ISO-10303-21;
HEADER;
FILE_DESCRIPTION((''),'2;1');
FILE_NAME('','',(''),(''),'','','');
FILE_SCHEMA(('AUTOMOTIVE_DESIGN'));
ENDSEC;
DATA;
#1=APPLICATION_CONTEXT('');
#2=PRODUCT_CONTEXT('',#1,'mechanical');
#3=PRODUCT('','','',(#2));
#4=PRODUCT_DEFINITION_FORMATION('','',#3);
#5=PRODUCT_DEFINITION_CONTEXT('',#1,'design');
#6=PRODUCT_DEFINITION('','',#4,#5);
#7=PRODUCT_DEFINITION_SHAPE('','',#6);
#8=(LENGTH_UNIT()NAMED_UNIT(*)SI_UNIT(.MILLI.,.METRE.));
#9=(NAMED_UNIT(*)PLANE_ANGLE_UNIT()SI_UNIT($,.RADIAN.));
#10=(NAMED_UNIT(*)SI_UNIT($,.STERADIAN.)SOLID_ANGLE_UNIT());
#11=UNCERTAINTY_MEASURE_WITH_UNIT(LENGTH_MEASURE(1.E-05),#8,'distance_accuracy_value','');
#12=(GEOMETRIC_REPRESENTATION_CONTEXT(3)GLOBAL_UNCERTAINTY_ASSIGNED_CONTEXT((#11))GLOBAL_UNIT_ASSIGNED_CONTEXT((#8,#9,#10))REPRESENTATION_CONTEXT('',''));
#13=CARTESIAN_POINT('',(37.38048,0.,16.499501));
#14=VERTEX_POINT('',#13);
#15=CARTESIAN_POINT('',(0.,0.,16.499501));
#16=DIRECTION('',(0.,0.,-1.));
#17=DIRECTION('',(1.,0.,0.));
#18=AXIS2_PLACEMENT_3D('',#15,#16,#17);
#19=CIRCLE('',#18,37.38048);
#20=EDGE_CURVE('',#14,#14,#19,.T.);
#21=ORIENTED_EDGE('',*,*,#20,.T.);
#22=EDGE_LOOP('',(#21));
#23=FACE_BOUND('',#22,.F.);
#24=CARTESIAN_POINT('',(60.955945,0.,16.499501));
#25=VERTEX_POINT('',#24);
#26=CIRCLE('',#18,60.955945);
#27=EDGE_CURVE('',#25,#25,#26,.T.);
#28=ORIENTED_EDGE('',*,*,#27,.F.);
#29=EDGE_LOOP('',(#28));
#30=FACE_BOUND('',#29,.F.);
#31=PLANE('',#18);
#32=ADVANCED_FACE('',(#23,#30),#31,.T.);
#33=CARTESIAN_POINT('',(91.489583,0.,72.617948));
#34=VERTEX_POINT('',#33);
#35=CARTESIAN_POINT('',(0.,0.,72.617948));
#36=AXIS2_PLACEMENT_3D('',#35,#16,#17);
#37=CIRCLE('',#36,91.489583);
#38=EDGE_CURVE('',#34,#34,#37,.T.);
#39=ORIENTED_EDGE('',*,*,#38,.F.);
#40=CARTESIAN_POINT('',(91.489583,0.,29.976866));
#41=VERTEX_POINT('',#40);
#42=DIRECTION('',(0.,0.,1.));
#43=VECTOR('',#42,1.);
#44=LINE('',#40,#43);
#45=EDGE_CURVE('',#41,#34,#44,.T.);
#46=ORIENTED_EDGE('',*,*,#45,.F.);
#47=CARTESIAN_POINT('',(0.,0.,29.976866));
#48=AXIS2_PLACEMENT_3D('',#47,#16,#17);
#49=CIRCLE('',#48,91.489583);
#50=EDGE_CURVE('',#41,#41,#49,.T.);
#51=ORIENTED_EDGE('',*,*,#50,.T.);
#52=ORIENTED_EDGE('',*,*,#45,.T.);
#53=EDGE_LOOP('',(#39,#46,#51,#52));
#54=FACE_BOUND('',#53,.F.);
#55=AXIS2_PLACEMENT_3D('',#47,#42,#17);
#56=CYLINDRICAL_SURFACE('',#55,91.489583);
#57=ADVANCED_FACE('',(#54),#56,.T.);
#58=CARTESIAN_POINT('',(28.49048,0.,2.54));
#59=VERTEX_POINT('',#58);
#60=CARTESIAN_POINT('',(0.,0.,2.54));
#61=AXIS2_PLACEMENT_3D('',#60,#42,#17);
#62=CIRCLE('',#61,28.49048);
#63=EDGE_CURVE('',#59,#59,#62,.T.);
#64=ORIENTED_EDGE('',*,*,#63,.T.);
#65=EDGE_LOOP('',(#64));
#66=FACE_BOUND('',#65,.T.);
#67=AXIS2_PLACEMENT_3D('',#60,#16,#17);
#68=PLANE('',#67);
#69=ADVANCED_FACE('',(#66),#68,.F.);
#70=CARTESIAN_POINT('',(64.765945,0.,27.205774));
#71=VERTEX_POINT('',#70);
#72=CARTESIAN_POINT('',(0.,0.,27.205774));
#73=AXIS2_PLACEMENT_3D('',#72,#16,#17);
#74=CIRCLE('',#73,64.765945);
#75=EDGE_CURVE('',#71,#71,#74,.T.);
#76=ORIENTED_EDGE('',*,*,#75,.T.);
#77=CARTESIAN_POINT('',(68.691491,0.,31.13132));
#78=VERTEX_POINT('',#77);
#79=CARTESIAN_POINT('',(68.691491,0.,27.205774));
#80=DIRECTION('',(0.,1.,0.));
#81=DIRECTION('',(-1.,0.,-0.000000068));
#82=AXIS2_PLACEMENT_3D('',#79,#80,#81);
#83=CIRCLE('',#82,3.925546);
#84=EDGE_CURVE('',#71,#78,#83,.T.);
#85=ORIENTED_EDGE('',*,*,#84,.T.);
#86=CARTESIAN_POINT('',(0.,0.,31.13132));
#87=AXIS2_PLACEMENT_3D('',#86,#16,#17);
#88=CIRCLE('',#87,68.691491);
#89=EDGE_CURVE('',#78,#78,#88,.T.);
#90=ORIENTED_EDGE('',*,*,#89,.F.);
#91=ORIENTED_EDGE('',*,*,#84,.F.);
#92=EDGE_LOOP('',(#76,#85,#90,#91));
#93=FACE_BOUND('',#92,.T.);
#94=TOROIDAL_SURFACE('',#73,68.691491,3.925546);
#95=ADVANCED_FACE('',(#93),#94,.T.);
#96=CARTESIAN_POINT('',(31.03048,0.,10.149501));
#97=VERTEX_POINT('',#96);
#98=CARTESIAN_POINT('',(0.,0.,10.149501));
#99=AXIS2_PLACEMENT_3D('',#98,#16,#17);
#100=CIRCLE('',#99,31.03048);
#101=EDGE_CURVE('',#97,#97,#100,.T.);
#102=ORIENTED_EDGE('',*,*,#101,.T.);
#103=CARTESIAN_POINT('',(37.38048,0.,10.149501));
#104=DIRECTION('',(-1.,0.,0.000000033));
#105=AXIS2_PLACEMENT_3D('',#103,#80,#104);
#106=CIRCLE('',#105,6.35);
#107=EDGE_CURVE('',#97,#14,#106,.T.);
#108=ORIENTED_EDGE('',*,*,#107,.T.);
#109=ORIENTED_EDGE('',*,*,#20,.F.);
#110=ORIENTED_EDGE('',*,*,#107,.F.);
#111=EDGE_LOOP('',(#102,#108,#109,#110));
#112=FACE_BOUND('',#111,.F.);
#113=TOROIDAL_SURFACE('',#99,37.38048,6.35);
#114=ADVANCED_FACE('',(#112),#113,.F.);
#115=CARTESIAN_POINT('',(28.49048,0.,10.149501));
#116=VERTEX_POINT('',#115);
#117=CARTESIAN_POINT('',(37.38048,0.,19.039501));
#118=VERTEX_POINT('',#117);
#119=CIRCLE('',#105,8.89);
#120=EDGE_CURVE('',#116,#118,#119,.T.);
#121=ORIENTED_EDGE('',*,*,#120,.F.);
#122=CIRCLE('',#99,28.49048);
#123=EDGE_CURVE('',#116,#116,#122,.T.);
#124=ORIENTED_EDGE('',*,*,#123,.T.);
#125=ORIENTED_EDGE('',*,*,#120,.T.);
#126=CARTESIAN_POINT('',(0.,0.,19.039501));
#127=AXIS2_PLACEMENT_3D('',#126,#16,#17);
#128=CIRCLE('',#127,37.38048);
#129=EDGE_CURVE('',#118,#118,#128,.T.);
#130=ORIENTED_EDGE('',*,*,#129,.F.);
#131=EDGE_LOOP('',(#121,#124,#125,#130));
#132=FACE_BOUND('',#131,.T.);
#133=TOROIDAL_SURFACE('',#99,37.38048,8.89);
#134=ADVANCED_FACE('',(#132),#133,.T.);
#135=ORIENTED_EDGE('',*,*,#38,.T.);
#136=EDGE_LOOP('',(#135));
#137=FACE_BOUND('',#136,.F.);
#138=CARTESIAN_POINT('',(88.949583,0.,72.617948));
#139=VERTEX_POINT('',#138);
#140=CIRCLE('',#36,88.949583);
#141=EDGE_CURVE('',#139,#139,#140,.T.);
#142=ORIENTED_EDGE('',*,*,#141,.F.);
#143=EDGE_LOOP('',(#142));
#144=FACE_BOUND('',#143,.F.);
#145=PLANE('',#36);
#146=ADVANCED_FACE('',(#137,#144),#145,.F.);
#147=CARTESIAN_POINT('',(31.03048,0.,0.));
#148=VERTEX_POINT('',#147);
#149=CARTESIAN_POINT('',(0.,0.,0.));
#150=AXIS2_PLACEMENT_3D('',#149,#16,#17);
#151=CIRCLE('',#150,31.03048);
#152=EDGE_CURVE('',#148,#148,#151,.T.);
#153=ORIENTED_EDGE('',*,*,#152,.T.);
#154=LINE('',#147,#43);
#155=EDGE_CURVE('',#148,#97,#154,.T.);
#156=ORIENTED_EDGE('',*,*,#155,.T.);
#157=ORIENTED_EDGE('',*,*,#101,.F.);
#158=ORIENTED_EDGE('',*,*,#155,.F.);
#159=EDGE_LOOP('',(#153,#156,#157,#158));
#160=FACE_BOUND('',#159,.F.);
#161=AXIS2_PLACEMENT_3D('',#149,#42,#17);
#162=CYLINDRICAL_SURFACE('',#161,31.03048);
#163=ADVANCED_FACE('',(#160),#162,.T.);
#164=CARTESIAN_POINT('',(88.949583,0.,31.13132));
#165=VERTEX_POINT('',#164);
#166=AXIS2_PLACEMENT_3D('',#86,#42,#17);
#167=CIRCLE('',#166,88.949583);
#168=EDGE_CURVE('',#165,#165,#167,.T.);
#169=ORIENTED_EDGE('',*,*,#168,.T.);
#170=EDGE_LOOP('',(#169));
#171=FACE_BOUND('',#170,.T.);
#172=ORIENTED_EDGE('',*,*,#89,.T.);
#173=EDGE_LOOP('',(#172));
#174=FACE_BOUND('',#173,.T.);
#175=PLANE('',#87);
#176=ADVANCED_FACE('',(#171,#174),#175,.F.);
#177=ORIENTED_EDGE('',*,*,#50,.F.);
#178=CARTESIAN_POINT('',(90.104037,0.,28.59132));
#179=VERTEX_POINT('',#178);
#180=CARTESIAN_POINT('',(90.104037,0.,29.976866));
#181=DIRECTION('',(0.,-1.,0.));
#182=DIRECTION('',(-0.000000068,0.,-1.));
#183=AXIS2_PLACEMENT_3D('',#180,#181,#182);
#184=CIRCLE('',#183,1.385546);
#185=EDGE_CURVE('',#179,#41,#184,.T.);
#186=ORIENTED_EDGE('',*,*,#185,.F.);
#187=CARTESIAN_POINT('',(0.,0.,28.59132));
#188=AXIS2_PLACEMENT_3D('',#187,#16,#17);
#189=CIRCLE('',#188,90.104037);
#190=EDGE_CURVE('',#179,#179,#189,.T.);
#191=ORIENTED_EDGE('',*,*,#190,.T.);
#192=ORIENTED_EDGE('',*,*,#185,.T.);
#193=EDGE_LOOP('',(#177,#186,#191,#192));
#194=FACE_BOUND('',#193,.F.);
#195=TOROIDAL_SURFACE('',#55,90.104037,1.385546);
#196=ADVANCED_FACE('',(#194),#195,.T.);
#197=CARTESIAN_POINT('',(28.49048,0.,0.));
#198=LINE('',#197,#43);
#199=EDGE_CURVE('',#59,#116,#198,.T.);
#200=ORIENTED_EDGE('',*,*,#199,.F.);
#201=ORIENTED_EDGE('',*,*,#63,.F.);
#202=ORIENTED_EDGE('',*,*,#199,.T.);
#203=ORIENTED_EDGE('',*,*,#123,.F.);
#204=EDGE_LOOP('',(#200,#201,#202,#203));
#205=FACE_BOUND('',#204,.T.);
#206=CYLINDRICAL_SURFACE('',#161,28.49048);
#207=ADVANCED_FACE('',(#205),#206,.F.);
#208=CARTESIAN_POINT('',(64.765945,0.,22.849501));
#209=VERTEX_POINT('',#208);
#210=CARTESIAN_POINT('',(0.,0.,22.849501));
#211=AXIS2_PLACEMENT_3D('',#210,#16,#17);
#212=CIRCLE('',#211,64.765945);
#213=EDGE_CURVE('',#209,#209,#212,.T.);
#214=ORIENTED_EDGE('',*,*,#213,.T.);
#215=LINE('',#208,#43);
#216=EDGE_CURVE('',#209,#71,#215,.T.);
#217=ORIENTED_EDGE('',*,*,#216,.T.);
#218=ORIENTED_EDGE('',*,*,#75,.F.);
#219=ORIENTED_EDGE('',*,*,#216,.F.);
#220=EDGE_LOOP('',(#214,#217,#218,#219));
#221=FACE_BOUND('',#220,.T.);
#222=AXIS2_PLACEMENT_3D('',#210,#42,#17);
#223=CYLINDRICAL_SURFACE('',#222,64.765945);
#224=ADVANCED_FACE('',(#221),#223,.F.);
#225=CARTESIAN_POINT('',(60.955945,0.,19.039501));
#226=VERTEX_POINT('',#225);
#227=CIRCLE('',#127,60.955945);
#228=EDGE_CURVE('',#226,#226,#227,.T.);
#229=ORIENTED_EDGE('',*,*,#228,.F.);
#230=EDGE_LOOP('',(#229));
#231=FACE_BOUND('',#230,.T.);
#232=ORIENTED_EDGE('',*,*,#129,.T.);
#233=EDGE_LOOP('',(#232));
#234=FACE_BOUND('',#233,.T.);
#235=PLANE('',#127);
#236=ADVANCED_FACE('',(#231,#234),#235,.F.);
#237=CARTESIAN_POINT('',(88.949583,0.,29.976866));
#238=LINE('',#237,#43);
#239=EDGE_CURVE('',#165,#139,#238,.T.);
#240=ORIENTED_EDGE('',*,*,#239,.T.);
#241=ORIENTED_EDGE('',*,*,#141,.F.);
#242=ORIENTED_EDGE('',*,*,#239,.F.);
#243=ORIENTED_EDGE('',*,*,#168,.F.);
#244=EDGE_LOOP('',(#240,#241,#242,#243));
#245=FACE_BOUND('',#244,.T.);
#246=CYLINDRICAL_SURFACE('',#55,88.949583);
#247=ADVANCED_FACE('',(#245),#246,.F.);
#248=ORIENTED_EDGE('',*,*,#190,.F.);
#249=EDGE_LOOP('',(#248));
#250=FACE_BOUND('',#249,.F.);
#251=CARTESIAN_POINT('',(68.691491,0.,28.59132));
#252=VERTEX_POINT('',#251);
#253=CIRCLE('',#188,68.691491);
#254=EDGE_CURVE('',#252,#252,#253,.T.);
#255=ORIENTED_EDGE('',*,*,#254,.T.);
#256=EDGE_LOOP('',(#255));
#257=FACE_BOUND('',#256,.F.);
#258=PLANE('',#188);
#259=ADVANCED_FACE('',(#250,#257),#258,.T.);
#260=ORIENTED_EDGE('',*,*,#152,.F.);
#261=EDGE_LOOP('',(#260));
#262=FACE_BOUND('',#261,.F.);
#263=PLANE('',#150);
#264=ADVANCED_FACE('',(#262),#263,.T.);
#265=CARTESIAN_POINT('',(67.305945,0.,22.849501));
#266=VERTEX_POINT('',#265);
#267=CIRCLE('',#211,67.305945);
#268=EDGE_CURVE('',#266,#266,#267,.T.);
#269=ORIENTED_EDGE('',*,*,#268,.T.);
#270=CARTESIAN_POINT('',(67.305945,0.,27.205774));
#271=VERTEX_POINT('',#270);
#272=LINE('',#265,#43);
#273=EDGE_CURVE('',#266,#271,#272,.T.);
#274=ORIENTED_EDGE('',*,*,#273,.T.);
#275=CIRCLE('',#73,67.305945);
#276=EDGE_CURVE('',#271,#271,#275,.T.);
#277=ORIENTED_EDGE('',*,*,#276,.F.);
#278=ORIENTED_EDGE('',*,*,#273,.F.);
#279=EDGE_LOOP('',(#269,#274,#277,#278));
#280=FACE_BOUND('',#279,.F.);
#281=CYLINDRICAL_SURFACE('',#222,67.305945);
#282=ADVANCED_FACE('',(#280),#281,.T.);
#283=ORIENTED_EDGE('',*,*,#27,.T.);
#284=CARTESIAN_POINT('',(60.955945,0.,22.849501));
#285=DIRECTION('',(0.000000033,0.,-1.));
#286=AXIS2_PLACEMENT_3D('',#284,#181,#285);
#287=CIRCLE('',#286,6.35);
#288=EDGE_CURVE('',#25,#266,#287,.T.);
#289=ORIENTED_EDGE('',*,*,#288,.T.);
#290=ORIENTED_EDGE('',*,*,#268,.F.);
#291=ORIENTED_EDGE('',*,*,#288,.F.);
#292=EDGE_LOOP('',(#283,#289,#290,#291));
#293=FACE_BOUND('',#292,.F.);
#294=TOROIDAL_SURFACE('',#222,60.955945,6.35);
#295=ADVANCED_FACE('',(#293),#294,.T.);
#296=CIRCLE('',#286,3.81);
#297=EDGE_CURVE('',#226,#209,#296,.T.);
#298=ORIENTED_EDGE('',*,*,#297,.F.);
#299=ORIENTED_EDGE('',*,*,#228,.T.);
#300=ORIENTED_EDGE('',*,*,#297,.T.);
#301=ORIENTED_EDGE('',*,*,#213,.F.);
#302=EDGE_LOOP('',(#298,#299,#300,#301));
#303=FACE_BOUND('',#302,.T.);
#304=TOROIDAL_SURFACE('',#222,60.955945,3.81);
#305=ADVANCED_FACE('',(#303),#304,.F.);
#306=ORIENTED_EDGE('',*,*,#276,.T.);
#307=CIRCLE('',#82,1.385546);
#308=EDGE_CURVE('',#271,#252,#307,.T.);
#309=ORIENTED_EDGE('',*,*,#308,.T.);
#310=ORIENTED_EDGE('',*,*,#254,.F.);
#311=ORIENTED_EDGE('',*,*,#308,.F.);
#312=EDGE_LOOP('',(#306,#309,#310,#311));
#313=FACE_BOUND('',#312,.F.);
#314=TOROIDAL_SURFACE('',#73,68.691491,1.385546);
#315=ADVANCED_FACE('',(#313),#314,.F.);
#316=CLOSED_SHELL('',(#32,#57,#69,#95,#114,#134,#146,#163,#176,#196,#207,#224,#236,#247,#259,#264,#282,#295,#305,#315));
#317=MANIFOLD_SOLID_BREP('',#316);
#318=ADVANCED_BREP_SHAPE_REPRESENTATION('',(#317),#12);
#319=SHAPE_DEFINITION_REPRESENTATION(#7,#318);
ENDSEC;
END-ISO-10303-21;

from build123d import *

# Parameters (mm, degrees)
F2_T = -2.54


with BuildPart() as f1:
    # F0 (on Front) → F1 (revolve)
    with BuildSketch(Plane.XZ):
        with BuildLine():
            Line((0, 72.617948), (0, 0))
            Line((0, 0), (31.03048, 0))
            Line((31.03048, 0), (31.03048, 10.149501))
            ThreePointArc((31.03048, 10.149501), (32.890352, 14.639629), (37.38048, 16.499501))
            Line((37.38048, 16.499501), (60.955945, 16.499501))
            ThreePointArc((60.955945, 16.499501), (65.446073, 18.359373), (67.305945, 22.849501))
            Line((67.305945, 22.849501), (67.305945, 27.205774))
            ThreePointArc((67.305945, 27.205774), (67.711762, 28.185503), (68.691491, 28.59132))
            Line((68.691491, 28.59132), (90.104037, 28.59132))
            ThreePointArc((90.104037, 28.59132), (91.083766, 28.997137), (91.489583, 29.976866))
            Line((91.489583, 29.976866), (91.489583, 72.617948))
            Line((91.489583, 72.617948), (0, 72.617948))
        make_face()
    revolve(axis=Axis((0, 0, 36.308974), (0, 0, -1)))

    # F2
    f2_openings = [f1.faces().sort_by_distance(p)[0] for p in [
        (0, 0, 72.617948),
    ]]
    offset(amount=F2_T, openings=f2_openings)


solid = f1.part
